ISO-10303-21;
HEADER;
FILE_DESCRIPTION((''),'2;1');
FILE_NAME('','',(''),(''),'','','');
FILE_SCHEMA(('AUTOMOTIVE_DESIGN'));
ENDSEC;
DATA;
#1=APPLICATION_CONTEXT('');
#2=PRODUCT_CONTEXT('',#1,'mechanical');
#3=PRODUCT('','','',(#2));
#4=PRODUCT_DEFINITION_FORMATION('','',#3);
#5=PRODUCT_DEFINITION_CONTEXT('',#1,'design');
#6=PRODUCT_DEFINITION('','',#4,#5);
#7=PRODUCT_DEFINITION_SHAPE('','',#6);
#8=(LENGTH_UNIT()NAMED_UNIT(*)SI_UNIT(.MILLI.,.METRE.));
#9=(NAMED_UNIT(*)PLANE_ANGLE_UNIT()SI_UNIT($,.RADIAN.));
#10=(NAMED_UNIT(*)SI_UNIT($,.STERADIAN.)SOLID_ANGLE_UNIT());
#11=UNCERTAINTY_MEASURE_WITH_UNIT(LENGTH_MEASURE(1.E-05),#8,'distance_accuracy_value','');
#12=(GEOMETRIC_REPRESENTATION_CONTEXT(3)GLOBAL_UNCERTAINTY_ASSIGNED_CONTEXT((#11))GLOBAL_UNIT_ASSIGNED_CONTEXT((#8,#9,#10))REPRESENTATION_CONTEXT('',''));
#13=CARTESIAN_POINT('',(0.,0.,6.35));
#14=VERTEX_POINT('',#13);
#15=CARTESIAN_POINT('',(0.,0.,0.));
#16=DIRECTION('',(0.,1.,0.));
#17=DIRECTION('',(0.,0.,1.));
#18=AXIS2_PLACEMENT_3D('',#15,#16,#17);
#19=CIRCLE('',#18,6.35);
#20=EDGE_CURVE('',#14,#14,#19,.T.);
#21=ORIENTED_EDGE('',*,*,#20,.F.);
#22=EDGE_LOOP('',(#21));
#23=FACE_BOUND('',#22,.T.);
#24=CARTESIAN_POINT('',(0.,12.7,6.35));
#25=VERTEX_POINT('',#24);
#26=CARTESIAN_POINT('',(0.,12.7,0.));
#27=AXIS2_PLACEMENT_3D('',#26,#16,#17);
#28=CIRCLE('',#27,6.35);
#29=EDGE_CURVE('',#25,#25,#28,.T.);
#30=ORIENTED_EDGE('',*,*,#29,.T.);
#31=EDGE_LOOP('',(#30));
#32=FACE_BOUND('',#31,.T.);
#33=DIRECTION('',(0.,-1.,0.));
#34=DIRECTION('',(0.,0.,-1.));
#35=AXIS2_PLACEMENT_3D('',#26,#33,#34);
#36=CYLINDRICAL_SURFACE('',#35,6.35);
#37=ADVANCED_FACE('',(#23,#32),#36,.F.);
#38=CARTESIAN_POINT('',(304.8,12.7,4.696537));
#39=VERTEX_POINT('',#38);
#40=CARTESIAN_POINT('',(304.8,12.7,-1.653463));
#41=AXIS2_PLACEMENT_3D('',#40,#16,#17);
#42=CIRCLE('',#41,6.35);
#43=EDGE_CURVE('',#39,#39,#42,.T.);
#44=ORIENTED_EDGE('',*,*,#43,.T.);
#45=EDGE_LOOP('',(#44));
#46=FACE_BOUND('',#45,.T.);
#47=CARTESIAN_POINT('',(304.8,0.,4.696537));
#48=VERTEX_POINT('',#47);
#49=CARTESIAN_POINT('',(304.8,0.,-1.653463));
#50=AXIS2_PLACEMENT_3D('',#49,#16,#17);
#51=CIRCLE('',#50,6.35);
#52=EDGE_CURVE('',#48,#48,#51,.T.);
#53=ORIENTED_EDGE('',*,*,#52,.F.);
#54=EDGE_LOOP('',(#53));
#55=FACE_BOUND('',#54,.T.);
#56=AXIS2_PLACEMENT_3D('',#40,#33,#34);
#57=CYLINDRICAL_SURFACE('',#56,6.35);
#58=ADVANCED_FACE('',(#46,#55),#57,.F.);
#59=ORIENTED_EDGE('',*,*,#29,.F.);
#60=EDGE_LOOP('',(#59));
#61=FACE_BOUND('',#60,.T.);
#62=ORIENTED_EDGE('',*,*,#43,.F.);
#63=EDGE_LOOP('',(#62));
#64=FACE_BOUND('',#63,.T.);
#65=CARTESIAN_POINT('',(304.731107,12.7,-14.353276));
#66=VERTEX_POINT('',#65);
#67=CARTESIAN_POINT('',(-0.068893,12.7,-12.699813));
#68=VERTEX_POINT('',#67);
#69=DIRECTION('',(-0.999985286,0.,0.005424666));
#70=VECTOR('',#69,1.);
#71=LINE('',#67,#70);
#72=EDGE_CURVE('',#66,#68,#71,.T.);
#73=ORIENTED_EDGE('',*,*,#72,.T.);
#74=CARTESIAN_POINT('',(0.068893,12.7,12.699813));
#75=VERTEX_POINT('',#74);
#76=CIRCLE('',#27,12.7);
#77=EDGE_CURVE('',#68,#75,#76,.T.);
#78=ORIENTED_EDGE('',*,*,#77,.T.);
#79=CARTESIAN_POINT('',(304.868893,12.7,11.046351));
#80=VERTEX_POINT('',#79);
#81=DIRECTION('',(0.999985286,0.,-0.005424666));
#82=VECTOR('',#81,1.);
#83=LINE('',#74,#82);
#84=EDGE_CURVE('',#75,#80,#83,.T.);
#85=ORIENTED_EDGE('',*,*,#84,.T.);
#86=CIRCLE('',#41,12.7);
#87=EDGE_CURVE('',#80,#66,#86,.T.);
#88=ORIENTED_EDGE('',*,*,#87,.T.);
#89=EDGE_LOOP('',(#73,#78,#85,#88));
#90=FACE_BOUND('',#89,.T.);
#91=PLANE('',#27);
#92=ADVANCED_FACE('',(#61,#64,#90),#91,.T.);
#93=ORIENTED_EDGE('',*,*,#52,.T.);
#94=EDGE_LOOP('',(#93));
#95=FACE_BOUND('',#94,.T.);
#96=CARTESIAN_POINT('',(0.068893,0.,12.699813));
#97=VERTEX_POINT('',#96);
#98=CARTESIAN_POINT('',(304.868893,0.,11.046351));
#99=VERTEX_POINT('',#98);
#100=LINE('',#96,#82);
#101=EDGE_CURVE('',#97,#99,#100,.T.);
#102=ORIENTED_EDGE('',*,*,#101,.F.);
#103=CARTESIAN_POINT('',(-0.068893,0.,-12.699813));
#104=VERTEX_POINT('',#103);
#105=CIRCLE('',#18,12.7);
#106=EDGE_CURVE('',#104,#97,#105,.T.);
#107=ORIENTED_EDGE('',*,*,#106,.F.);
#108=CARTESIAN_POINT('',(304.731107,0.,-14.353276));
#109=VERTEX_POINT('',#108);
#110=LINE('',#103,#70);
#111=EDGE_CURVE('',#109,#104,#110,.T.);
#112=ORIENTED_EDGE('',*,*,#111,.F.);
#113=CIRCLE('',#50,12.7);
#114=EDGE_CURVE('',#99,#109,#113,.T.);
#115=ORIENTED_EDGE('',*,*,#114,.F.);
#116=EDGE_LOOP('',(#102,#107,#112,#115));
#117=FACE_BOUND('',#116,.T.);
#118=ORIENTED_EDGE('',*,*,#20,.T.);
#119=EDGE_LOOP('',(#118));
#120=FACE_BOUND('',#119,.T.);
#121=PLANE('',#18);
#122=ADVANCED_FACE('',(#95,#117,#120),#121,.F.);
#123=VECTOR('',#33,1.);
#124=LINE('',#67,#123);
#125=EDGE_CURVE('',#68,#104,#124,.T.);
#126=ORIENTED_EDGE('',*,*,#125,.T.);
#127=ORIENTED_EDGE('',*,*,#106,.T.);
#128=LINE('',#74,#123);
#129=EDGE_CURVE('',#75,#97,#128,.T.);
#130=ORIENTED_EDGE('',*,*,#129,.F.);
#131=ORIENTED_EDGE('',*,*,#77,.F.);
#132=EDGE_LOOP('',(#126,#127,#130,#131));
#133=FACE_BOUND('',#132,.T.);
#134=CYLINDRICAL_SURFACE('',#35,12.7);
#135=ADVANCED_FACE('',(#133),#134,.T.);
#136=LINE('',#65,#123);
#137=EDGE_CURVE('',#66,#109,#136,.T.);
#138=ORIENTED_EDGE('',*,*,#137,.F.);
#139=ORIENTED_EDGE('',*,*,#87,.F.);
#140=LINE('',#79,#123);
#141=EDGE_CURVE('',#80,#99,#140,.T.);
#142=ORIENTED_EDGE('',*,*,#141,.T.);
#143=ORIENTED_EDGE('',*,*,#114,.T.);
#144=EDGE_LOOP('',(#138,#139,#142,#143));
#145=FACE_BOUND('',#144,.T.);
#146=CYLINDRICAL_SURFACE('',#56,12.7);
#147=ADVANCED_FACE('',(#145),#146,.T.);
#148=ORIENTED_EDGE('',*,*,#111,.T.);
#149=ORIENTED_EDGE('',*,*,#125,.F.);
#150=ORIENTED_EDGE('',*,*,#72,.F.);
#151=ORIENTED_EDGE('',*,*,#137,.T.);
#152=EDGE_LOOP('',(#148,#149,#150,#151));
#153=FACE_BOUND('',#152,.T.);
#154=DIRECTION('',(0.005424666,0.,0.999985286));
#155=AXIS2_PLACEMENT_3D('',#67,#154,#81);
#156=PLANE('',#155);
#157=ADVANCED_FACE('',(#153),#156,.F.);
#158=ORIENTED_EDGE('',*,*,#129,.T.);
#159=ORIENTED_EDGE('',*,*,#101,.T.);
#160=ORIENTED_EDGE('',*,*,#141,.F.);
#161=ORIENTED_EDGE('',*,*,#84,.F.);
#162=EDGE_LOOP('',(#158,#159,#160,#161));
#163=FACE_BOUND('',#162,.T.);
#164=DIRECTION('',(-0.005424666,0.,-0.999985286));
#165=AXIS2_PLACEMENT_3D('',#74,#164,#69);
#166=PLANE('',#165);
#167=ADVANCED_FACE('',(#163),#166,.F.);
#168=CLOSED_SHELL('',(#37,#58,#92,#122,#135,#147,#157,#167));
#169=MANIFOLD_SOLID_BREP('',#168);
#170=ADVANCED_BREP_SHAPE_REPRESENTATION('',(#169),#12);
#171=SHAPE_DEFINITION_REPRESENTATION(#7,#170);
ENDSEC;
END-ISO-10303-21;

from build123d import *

# Parameters (mm, degrees)
SKETCH1_R           = 6.35
BOSS_EXTRUDE1_DEPTH = 12.7


with BuildPart() as part:
    # Sketch1 → Boss-Extrude1 (new body)
    with BuildSketch(Plane(origin=(0, 0, 0), x_dir=(1, 0, 0), z_dir=(0, 1, 0))):
        with BuildLine():
            Line((-0.068893261, 12.699813137), (304.731106739, 14.353275727))
            ThreePointArc((304.731106739, 14.353275727), (317.499813137, 1.722355851), (304.868893261, -11.046350547))
            Line((304.868893261, -11.046350547), (0.068893261, -12.699813137))
            ThreePointArc((0.068893261, -12.699813137), (-12.699813137, -0.068893261), (-0.068893261, 12.699813137))
        make_face()
        Circle(SKETCH1_R, mode=Mode.SUBTRACT)
        with Locations((304.8, 1.65346259)):
            Circle(SKETCH1_R, mode=Mode.SUBTRACT)
    extrude(amount=BOSS_EXTRUDE1_DEPTH)


solid = part.part
